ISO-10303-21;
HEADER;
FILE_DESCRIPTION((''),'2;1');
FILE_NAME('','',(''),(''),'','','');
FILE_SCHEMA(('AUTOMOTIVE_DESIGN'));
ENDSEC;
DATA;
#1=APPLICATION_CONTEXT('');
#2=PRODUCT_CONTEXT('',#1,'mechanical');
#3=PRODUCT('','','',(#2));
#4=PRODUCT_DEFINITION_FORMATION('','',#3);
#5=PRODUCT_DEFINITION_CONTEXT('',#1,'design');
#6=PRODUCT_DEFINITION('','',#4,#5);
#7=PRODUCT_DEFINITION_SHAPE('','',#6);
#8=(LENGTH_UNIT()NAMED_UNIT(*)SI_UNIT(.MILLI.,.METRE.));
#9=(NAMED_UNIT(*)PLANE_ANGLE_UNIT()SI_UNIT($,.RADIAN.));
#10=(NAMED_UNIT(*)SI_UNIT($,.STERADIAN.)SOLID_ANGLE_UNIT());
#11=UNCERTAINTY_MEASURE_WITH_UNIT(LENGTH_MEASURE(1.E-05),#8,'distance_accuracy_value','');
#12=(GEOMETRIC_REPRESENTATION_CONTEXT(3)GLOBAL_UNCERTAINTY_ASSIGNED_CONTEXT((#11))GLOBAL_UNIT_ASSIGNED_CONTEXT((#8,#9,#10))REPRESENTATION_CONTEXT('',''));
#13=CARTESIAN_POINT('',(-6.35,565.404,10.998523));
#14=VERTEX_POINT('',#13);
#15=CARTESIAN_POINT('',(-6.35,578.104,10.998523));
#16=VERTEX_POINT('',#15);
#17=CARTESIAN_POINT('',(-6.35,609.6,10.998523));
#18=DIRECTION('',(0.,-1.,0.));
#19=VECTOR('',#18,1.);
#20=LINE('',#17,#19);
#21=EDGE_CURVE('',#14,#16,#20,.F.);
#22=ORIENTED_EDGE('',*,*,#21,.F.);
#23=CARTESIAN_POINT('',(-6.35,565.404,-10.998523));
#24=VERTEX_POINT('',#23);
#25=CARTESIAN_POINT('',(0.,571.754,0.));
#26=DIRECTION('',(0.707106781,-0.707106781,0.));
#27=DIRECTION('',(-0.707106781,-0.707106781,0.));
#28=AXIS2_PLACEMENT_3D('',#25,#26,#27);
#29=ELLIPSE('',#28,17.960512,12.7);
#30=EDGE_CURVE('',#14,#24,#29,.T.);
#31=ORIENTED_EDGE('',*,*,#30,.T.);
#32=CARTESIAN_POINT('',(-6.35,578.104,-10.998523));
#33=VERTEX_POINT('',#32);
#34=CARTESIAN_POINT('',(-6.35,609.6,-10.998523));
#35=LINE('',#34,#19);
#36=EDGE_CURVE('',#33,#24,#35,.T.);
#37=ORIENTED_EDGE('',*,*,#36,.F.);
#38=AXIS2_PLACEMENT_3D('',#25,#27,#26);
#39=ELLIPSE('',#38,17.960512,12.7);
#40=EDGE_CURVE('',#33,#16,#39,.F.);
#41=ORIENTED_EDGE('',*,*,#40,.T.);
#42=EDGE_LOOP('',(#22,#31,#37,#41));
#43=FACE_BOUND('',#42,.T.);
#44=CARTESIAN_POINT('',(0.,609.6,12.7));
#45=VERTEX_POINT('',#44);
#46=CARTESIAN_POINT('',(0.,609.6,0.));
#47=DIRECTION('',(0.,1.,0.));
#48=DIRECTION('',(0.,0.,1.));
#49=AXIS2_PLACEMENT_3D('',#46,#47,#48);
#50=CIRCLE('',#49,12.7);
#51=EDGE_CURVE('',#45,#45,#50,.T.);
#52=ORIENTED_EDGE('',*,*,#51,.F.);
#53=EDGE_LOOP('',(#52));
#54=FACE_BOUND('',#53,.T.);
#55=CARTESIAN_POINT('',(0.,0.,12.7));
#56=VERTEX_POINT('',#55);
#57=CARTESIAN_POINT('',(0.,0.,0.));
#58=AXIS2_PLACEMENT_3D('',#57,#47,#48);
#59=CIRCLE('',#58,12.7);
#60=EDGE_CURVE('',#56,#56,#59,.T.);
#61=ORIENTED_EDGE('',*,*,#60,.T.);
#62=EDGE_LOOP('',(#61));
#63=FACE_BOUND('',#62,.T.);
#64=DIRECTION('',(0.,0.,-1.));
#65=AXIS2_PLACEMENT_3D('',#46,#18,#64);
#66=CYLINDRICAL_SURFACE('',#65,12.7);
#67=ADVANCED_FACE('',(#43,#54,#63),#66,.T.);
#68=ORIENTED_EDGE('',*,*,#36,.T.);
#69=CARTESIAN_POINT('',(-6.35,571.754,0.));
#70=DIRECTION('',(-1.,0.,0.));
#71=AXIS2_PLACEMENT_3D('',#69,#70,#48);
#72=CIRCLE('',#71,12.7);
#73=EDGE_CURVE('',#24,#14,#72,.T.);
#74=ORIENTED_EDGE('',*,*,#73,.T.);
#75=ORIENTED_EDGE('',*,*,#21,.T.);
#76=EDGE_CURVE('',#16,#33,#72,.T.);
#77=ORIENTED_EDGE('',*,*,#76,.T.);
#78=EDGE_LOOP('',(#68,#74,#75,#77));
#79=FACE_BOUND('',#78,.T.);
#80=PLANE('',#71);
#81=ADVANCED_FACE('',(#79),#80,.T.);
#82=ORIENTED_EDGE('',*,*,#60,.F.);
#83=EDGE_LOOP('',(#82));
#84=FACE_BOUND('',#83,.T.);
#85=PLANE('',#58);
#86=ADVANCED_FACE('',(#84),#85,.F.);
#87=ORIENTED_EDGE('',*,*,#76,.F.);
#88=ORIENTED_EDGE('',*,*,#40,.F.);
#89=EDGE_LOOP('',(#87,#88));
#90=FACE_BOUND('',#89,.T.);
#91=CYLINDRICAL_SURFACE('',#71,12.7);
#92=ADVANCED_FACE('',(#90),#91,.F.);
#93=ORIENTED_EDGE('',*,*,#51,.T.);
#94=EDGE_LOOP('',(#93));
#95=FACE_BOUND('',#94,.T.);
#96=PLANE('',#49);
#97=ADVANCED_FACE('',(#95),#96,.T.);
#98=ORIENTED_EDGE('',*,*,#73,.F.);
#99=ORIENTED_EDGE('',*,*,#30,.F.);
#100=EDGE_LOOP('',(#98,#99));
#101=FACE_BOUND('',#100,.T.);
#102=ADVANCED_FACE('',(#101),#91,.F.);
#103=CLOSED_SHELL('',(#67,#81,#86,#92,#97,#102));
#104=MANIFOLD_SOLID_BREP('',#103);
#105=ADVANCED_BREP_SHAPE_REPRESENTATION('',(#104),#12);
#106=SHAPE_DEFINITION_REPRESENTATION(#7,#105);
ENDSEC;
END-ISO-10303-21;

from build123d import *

# Parameters (mm, degrees)
SKETCH1_R           = 12.7
BOSS_EXTRUDE1_DEPTH = 609.6
SKETCH3_R           = 12.7
CUT_EXTRUDE1_DEPTH  = 6.35


with BuildPart() as part:
    # Sketch1 → Boss-Extrude1 (new body)
    with BuildSketch(Plane(origin=(0, 0, 0), x_dir=(1, 0, 0), z_dir=(0, 1, 0))):
        with Locations(Location((0, 0, 0), (0, 0, 90))):
            Circle(SKETCH1_R)
    extrude(amount=BOSS_EXTRUDE1_DEPTH)

    # Sketch3 → Cut-Extrude1 (cut)
    with BuildSketch(Plane.ZY.offset(12.7)):
        with Locations((0, 571.754)):
            Circle(SKETCH3_R)
    extrude(amount=-CUT_EXTRUDE1_DEPTH, mode=Mode.SUBTRACT)


solid = part.part
